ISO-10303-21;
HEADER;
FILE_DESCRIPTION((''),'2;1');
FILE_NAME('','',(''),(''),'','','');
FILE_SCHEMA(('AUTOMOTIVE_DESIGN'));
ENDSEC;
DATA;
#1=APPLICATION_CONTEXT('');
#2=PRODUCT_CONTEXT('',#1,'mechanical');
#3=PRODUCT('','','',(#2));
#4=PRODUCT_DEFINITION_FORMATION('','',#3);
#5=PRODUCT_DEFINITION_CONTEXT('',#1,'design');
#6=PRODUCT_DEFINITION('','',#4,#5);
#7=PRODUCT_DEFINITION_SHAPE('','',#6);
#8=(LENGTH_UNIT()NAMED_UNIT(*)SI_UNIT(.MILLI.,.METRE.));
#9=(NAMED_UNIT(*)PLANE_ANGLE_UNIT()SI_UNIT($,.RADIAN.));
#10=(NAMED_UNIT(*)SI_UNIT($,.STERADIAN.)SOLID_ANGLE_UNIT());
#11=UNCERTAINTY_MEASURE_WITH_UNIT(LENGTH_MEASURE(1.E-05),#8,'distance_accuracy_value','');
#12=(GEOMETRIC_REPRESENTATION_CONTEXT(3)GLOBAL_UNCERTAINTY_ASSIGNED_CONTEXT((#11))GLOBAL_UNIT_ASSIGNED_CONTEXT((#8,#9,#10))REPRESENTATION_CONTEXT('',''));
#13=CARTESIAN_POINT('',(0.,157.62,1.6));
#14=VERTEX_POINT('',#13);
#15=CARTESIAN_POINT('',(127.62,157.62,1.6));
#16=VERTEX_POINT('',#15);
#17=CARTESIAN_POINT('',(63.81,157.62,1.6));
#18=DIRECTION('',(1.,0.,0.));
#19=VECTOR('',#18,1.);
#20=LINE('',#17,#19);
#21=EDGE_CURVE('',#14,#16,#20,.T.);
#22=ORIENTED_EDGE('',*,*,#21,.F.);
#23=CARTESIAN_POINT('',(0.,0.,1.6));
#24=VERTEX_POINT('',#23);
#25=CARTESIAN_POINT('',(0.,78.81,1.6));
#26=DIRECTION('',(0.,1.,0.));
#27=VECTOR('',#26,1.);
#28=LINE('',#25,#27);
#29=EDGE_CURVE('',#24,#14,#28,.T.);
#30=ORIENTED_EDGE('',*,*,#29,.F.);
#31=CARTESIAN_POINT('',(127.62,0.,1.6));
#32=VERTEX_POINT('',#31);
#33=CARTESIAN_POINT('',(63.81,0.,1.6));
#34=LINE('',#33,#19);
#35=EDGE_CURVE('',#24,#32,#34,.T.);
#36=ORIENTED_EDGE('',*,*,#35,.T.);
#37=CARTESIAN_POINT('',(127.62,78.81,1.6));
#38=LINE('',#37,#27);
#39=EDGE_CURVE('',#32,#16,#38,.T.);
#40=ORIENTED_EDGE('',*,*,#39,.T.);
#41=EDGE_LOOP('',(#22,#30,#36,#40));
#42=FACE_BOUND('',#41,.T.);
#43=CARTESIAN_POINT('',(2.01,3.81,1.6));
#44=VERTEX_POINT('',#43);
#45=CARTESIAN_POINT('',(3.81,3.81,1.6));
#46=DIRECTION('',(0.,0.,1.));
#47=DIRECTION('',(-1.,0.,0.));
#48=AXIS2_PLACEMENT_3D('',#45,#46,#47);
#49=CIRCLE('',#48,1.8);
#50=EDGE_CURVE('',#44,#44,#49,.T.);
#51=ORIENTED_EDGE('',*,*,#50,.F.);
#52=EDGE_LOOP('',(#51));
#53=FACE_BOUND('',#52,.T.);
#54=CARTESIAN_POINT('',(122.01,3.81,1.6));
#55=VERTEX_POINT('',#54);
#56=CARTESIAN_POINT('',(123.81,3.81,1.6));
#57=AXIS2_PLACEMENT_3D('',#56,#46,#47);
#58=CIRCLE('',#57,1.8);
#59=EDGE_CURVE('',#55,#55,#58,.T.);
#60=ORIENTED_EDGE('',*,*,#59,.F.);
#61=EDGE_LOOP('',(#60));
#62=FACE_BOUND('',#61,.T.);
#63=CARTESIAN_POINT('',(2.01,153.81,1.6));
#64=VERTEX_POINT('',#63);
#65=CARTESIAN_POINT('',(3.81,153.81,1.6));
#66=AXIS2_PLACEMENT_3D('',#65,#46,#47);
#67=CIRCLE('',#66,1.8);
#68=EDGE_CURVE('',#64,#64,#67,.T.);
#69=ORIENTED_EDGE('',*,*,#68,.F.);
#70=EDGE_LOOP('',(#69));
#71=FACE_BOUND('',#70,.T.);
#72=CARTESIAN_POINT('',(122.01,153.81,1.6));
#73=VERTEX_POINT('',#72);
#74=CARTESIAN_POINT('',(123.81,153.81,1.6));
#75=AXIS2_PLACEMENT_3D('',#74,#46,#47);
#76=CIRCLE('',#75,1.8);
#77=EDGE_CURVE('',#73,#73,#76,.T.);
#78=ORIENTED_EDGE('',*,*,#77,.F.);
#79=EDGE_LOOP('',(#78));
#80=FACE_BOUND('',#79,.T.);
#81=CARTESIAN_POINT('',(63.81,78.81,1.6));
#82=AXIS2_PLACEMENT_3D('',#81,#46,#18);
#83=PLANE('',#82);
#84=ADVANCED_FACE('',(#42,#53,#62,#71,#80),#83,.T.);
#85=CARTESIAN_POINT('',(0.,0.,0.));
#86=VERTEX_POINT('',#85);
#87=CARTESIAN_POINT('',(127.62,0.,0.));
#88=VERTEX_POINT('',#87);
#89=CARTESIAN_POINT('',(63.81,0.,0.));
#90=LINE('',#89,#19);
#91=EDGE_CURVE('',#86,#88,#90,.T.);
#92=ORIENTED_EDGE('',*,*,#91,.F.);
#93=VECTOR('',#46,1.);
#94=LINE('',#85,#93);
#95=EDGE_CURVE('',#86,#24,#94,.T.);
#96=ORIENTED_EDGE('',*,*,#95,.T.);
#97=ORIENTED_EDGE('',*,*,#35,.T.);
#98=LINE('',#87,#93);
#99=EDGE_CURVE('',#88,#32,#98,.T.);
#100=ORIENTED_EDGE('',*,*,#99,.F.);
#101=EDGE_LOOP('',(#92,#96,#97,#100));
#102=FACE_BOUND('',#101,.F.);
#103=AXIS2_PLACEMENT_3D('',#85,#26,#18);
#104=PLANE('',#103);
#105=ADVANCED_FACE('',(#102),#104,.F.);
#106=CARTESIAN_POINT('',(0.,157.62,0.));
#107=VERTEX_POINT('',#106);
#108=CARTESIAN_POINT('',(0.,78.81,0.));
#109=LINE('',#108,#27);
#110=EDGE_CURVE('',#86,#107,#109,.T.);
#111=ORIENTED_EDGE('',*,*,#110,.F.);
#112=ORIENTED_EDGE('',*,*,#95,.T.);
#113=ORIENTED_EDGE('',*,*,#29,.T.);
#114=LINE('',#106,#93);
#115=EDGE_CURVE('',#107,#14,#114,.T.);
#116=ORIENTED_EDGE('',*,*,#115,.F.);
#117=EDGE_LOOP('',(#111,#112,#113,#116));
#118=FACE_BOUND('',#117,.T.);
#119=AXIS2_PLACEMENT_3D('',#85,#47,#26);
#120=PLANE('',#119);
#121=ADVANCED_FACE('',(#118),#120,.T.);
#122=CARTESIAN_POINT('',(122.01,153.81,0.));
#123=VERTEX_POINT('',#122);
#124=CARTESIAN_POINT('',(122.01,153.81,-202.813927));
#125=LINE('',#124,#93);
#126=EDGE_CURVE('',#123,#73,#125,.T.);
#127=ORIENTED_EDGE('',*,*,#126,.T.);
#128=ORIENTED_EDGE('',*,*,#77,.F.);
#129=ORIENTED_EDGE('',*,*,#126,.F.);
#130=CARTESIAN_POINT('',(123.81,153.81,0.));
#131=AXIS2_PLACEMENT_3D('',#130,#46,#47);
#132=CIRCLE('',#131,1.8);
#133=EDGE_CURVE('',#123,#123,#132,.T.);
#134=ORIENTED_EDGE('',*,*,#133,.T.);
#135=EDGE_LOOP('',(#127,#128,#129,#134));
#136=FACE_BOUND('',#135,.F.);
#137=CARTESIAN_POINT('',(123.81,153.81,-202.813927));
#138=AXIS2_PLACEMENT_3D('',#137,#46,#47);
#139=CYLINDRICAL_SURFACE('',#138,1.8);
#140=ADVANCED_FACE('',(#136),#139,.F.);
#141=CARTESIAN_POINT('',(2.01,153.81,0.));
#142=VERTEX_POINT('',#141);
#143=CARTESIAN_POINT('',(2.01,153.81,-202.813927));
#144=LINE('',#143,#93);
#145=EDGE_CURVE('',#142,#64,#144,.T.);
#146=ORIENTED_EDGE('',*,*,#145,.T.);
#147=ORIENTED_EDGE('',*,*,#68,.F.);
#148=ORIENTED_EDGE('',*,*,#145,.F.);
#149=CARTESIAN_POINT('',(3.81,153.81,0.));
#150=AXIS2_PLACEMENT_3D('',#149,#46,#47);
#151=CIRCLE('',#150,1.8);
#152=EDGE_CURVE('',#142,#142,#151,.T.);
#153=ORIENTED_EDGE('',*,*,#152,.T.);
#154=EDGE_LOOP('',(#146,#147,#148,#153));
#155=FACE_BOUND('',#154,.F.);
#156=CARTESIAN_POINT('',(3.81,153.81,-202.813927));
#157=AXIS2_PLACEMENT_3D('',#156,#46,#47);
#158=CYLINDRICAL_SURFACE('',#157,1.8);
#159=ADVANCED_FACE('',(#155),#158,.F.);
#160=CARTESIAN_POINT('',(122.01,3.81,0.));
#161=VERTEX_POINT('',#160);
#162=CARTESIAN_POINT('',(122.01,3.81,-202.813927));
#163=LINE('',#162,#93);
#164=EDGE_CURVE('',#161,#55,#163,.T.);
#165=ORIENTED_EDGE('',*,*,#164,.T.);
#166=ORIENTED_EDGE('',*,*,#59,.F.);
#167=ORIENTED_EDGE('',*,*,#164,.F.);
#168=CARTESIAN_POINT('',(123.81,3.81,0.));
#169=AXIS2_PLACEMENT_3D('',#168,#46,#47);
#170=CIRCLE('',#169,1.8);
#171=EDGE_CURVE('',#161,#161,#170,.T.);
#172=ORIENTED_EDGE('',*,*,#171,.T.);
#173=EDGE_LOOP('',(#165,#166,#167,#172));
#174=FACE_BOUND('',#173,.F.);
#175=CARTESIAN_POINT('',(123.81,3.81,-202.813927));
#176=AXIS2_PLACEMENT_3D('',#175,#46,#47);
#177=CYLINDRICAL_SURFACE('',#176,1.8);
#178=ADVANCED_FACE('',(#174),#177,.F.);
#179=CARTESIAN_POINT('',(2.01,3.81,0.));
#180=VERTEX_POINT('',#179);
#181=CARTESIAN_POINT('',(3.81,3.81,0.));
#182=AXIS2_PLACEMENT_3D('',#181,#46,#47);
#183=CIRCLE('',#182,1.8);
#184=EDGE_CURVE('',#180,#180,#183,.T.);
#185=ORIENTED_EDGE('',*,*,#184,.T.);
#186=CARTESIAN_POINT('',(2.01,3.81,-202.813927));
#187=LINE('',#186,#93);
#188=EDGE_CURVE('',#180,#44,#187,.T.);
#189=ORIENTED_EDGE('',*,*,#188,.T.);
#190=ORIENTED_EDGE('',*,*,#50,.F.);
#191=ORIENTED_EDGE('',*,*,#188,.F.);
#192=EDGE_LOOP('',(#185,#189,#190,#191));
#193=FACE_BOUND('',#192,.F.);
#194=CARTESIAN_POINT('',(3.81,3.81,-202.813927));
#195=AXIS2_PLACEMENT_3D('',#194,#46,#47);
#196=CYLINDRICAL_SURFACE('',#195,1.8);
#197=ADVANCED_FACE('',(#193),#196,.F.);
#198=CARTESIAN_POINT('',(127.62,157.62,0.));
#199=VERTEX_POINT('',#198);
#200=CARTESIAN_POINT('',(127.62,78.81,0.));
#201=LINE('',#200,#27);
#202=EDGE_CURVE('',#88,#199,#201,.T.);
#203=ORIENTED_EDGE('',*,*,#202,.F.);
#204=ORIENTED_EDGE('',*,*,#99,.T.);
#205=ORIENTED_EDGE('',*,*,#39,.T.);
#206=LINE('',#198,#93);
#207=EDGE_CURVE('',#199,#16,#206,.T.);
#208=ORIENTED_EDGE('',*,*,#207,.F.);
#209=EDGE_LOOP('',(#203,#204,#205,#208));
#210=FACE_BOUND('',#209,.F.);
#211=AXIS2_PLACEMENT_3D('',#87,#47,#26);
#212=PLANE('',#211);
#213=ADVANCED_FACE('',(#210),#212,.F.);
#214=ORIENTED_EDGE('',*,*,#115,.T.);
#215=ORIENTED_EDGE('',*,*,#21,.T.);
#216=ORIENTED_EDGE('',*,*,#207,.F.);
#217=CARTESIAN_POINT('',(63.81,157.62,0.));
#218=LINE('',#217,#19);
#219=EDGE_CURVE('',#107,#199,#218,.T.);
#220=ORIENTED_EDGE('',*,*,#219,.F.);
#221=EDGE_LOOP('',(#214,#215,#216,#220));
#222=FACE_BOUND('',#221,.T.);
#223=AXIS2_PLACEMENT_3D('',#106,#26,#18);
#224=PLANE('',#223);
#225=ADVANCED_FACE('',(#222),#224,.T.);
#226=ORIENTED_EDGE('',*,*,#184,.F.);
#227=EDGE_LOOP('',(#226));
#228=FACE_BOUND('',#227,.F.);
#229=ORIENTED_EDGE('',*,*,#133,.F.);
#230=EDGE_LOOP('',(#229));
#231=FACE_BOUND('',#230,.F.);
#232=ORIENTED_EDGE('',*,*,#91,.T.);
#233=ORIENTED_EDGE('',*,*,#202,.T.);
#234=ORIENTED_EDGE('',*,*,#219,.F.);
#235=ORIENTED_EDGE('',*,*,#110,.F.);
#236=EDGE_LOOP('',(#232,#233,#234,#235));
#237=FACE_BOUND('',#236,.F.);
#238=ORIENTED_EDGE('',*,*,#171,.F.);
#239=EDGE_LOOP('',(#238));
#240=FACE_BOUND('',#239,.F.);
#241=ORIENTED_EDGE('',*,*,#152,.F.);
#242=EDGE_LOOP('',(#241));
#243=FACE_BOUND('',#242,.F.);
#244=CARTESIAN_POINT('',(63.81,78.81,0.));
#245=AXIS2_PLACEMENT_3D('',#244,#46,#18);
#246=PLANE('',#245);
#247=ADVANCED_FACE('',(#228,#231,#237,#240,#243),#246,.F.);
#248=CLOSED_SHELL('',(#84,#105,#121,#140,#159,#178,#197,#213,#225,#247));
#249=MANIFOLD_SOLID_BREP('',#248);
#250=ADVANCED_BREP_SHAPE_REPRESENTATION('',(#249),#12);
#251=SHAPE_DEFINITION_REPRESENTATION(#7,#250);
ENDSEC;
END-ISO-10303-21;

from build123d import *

# Parameters (mm, degrees)
F0_W     = 127.62
F0_H     = 157.62
F1_DEPTH = 1.6
F2_D     = 3.6


with BuildPart() as f1:
    # F0 (on Top) → F1 (new body)
    with BuildSketch(Plane.XY):
        with Locations((63.81, 78.81)):
            Rectangle(F0_W, F0_H)
    extrude(amount=F1_DEPTH)

    # F2 (through all)
    with Locations(Plane(origin=(0, 0, 0), x_dir=(1, 0, 0), z_dir=(0, 0, -1))):
        with Locations((3.81, -153.81), (123.81, -153.81), (3.81, -3.81), (123.81, -3.81)):
            Hole(F2_D / 2)


solid = f1.part
